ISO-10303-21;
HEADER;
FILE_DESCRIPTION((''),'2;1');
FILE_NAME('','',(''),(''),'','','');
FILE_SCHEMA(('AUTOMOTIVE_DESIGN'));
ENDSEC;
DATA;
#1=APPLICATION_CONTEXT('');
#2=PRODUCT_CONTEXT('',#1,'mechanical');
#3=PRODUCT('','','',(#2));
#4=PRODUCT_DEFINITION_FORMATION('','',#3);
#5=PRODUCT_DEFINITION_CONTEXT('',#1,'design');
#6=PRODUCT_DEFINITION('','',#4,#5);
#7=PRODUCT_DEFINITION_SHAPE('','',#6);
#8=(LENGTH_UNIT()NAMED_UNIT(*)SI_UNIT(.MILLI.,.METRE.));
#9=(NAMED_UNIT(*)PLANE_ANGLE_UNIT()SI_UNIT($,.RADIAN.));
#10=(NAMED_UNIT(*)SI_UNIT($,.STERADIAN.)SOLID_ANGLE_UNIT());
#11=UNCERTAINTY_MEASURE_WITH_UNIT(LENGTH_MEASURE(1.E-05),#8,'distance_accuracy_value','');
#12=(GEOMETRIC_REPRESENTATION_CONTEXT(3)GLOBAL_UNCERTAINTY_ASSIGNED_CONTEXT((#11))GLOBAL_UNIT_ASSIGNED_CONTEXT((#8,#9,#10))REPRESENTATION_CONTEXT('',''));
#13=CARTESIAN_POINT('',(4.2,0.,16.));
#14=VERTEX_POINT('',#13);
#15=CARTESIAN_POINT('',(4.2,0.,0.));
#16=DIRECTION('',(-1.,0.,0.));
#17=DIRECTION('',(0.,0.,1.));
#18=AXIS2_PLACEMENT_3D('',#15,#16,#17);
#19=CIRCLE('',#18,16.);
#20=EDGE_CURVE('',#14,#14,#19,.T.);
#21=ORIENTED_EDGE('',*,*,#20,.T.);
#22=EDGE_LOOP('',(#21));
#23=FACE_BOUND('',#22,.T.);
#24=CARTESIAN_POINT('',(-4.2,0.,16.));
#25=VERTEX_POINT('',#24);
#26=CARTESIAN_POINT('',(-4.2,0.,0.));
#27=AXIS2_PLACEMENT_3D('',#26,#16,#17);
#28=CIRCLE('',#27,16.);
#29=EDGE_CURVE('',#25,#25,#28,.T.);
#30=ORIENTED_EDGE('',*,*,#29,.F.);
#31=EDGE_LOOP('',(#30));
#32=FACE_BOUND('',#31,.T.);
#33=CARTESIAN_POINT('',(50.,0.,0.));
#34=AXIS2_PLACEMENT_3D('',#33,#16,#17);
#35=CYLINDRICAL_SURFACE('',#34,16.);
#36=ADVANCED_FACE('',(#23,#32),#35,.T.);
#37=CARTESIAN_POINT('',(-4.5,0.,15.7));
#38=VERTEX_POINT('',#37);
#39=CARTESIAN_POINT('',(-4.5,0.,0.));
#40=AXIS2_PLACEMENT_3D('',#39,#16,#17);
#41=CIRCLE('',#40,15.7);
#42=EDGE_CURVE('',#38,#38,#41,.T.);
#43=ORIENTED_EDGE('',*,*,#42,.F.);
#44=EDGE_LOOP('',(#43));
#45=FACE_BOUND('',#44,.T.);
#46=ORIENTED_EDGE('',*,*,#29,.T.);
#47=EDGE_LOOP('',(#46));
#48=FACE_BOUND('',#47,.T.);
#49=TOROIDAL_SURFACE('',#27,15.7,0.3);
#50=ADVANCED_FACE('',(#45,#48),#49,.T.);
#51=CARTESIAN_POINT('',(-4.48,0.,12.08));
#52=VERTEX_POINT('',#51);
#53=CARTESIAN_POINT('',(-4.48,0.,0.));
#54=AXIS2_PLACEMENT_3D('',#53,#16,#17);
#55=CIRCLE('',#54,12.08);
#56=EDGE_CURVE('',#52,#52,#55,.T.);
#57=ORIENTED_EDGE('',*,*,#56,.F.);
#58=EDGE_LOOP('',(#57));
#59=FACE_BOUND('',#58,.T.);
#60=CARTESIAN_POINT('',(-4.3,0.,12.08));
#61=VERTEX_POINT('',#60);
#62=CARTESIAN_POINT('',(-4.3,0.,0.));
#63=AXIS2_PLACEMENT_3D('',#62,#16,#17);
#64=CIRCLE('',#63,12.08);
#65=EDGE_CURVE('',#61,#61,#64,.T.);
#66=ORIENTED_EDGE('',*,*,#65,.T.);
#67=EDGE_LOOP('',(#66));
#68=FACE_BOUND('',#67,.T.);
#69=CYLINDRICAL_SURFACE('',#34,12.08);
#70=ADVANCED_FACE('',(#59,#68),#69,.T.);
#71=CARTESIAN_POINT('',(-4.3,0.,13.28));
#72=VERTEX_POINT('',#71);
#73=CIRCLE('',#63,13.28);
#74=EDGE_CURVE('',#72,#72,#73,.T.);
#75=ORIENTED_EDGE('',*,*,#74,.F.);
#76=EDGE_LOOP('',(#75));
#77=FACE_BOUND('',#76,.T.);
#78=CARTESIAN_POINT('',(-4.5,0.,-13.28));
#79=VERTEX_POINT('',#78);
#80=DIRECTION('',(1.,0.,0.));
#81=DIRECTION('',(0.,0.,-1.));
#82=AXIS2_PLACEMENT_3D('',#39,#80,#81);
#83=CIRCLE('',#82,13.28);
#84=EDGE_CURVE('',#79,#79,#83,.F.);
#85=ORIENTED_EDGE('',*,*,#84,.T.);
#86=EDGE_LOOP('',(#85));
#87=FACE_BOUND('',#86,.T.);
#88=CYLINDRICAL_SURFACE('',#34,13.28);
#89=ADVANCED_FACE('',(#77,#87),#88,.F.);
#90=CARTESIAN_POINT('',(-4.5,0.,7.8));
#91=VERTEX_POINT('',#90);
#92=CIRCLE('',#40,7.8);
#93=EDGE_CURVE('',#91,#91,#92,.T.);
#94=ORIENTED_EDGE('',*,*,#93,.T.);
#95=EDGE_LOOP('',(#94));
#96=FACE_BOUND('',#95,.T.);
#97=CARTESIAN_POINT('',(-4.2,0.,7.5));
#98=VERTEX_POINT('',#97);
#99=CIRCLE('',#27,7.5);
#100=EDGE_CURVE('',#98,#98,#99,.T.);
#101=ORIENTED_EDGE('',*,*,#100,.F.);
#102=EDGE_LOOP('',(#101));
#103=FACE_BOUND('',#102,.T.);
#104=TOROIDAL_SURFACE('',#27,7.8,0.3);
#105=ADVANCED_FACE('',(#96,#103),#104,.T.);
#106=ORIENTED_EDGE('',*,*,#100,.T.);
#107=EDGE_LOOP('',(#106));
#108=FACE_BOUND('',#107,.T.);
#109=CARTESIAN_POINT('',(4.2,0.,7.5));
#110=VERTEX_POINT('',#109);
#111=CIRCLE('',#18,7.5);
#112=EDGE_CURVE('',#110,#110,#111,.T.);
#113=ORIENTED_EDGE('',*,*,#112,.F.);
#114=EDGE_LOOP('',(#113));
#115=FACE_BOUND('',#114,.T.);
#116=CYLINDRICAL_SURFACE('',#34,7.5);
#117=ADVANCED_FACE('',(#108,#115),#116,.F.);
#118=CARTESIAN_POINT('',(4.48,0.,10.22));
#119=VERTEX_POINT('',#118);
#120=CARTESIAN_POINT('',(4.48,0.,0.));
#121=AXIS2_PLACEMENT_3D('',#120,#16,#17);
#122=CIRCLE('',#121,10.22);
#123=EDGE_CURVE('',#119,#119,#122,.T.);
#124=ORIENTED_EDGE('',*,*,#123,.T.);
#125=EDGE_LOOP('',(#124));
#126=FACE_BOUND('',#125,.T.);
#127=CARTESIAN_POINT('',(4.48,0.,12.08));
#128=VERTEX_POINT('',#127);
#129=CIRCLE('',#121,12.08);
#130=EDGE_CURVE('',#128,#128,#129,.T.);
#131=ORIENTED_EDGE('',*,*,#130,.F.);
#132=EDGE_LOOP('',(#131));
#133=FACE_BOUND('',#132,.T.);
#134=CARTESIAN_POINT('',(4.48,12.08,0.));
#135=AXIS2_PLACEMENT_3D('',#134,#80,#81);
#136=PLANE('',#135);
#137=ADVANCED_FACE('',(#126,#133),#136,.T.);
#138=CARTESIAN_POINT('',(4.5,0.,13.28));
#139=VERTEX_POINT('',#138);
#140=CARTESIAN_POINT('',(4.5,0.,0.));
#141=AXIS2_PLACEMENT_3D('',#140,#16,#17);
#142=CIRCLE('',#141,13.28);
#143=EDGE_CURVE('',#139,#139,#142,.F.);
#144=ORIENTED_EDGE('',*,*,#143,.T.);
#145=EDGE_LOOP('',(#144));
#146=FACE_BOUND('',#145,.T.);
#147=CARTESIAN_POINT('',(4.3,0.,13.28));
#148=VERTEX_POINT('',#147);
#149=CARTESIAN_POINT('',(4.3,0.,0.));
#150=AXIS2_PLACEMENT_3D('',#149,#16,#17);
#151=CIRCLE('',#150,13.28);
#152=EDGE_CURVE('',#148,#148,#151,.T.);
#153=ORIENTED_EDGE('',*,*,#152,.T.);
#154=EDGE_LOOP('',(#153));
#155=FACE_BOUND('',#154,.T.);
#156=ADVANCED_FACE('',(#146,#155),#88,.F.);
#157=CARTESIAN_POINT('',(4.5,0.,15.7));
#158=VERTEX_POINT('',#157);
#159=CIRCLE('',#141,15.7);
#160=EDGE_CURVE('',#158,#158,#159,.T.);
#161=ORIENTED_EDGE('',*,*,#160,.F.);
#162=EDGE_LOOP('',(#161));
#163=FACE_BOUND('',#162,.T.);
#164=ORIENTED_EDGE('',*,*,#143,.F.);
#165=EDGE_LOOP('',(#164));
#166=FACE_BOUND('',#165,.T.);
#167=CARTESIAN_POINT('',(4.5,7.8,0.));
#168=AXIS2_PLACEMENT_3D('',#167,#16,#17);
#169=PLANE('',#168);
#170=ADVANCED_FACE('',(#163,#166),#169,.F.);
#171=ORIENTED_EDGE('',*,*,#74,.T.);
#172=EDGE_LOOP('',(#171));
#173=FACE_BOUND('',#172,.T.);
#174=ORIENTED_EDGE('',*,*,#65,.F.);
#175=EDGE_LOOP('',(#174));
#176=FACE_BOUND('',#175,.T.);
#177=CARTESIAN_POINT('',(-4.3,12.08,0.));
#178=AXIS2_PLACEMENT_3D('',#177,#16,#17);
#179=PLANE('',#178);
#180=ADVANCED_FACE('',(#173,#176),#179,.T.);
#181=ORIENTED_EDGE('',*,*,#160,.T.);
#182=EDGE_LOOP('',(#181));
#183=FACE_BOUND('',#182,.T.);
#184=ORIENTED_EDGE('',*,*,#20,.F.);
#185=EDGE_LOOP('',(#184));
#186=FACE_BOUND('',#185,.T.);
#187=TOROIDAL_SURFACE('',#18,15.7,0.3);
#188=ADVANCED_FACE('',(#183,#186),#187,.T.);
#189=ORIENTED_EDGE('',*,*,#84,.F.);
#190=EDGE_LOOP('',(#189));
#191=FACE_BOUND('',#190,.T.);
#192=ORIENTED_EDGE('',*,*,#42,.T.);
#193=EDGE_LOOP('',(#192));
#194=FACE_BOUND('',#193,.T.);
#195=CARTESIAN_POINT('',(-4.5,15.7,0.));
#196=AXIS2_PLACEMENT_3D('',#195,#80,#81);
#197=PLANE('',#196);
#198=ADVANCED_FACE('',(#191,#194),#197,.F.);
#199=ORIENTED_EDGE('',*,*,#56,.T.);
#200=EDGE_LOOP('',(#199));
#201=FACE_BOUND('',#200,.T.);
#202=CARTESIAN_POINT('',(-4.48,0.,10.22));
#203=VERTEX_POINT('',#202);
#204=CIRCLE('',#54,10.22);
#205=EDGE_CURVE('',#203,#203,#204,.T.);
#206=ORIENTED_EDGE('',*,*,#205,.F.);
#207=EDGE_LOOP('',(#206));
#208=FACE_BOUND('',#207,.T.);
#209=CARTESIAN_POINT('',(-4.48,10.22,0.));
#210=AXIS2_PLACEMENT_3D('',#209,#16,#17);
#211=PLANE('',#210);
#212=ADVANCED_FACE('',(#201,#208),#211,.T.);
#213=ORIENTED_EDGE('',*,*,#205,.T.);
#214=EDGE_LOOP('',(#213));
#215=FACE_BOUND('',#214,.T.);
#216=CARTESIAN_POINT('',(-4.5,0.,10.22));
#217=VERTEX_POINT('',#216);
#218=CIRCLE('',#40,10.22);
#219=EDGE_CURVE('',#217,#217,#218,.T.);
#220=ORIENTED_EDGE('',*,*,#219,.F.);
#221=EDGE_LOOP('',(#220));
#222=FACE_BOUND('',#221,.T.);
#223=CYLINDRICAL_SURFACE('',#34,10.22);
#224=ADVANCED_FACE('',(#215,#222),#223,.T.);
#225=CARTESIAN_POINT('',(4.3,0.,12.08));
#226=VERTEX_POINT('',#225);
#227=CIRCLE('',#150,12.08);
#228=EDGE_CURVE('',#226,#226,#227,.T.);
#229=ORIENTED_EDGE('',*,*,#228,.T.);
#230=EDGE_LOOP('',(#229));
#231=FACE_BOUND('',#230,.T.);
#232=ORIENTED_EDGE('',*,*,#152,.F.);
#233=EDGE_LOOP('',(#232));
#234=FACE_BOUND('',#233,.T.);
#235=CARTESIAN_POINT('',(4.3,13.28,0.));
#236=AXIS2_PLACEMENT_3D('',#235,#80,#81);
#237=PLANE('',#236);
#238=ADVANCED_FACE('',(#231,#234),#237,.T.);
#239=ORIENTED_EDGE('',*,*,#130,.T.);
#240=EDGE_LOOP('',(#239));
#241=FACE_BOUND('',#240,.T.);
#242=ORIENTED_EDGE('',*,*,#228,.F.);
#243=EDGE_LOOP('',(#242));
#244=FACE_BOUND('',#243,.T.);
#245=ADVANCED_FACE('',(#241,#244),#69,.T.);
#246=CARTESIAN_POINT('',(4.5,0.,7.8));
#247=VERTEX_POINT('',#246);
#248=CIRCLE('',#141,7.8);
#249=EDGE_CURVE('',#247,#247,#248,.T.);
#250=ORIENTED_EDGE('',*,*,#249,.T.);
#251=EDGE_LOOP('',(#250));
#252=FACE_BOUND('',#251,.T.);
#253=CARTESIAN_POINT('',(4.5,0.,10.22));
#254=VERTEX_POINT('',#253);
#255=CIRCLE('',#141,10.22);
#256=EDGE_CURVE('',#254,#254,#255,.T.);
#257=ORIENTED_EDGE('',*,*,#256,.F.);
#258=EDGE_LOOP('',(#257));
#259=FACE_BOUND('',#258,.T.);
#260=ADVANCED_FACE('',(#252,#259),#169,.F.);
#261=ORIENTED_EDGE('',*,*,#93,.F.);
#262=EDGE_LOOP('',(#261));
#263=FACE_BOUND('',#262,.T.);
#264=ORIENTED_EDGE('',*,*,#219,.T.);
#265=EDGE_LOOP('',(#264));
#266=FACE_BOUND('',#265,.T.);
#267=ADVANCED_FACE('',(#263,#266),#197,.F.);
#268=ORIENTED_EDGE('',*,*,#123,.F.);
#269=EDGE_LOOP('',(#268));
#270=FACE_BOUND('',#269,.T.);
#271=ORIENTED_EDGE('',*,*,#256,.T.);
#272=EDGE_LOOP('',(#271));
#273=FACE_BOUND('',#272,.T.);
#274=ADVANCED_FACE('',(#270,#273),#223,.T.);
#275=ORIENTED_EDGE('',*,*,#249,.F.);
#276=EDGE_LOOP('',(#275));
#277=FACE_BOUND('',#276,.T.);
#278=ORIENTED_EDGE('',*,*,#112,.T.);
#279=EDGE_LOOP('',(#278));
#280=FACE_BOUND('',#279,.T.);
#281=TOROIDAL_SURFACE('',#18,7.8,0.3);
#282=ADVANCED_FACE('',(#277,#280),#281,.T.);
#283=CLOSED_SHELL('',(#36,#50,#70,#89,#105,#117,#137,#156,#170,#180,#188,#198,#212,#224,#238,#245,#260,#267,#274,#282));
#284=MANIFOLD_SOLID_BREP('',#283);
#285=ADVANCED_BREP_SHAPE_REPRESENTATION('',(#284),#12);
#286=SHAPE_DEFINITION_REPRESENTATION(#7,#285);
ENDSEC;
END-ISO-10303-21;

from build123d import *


with BuildPart() as part:
    # Sketch1 → Revolve1 (revolve)
    with BuildSketch(Plane.XY):
        with BuildLine():
            Line((-4.5, 15.7), (-4.5, 7.8))
            ThreePointArc((-4.5, 7.8), (-4.412132034, 7.587867966), (-4.2, 7.5))
            Line((-4.2, 7.5), (4.2, 7.5))
            ThreePointArc((4.2, 7.5), (4.412132034, 7.587867966), (4.5, 7.8))
            Line((4.5, 7.8), (4.5, 15.7))
            ThreePointArc((4.5, 15.7), (4.412132034, 15.912132034), (4.2, 16))
            Line((4.2, 16), (-4.2, 16))
            ThreePointArc((-4.2, 16), (-4.412132034, 15.912132034), (-4.5, 15.7))
        make_face()
    revolve(axis=Axis((50, 0, 0), (-1, 0, 0)))

    # Sketch2 → Cut-Revolve1 (revolve, cut)
    with BuildSketch(Plane.XY):
        Polygon((-6.3, 7.5), (-4.5, 7.5), (-4.5, 10.22), (-4.48, 10.22), (-4.48, 12.08), (-4.3, 12.08), (-4.3, 13.28), (-6.3, 13.28), align=None)
    revolve(axis=Axis((50, 0, 0), (-1, 0, 0)), mode=Mode.SUBTRACT)

    # Sketch3 → Cut-Revolve2 (revolve, cut)
    with BuildSketch(Plane.XY):
        Polygon((4.3, 13.28), (4.3, 12.08), (4.48, 12.08), (4.48, 10.22), (4.5, 10.22), (4.5, 7.5), (6.3, 7.5), (6.3, 13.28), align=None)
    revolve(axis=Axis((50, 0, 0), (-1, 0, 0)), mode=Mode.SUBTRACT)


solid = part.part
